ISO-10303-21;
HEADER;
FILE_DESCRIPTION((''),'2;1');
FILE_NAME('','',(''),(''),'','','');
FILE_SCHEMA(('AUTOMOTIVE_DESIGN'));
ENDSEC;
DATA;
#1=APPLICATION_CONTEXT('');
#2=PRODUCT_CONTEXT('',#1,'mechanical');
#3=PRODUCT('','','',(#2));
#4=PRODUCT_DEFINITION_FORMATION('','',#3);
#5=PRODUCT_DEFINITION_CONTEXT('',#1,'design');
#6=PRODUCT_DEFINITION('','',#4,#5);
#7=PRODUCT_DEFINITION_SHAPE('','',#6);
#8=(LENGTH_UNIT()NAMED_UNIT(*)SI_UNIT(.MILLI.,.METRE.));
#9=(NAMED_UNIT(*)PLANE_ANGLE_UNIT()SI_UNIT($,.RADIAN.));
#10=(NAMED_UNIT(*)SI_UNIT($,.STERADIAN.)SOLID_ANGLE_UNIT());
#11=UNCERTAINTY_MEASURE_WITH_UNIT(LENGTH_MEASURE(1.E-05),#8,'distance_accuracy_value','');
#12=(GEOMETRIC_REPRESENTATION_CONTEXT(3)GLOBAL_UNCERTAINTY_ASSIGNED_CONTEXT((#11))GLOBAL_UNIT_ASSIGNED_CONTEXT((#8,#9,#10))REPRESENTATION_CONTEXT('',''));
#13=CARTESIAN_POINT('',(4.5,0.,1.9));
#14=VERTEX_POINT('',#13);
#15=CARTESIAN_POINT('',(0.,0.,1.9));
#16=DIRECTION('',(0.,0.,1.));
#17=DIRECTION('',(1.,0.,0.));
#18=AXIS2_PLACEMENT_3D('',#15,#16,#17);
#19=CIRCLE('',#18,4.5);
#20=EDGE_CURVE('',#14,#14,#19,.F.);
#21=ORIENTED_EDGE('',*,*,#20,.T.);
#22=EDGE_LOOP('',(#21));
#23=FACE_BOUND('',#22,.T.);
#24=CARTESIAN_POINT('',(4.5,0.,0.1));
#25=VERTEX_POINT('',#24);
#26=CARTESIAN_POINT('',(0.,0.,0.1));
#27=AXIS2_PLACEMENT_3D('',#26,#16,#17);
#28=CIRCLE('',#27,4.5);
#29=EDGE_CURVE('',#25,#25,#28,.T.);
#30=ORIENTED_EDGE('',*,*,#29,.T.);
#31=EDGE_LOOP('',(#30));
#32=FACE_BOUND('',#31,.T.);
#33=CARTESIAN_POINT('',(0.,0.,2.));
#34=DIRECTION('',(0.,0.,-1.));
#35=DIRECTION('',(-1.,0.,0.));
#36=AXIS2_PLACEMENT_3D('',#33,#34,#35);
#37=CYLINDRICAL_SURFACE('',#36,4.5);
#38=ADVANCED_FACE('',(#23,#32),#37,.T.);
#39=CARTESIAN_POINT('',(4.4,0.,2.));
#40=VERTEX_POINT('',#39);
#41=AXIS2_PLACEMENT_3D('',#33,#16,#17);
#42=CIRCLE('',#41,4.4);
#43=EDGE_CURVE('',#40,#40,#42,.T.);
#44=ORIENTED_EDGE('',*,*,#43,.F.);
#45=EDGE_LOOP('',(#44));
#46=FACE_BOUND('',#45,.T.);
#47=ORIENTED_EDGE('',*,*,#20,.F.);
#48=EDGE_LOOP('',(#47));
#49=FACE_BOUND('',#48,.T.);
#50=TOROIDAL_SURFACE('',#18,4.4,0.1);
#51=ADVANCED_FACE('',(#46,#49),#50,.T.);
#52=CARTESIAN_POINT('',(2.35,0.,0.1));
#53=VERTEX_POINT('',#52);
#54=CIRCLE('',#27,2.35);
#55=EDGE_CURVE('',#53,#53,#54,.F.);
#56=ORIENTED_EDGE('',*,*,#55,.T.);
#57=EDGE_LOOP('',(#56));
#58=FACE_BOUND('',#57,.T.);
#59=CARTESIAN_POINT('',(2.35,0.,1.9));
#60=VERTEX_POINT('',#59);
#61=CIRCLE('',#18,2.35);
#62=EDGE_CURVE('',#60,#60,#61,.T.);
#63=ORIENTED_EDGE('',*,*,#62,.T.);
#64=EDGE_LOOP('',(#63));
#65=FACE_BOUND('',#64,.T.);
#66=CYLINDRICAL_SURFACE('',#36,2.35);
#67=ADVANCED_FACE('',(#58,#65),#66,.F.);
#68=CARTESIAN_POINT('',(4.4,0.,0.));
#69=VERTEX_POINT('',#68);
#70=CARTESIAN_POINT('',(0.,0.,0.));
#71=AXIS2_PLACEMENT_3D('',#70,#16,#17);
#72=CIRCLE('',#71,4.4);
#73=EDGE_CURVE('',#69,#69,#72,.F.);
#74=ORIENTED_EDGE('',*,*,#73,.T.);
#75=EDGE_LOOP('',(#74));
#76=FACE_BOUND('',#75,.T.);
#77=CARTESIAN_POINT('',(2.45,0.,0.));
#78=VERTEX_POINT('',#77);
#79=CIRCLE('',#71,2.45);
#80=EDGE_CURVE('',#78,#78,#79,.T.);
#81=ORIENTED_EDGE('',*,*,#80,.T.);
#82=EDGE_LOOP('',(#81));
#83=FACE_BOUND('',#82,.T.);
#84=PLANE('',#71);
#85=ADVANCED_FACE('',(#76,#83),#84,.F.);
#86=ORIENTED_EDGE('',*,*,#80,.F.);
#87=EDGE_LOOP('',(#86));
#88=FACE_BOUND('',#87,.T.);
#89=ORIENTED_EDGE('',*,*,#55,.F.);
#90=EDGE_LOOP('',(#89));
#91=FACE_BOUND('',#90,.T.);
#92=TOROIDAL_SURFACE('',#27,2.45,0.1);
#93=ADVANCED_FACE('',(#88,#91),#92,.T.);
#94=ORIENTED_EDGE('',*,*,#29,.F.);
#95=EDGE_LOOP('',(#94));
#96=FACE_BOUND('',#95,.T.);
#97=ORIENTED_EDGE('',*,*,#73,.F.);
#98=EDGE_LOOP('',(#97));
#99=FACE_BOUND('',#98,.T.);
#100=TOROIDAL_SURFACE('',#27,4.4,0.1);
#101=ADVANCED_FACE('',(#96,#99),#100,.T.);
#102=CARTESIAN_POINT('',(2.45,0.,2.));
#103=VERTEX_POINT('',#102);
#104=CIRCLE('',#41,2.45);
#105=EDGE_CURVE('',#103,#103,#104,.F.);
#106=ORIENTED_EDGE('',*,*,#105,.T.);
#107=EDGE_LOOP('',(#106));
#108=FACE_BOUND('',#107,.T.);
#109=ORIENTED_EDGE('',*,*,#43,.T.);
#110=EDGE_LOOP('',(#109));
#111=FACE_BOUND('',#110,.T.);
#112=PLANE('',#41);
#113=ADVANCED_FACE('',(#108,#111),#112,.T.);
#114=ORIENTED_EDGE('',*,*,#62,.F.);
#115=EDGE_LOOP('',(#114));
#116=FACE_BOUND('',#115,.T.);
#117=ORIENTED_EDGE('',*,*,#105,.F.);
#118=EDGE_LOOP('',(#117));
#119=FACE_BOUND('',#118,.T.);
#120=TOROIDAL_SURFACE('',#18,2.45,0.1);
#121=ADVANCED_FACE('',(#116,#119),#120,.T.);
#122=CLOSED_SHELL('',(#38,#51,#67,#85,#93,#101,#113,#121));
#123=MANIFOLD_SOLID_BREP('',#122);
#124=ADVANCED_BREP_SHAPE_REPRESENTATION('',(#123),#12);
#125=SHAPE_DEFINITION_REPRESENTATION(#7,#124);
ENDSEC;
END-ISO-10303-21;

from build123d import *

# Parameters (mm, degrees)
SKETCH_1_R      = 4.5
SKETCH_1_R_2    = 2.35
EXTRUDE_1_DEPTH = 2
FILLET_1_R      = 0.1


with BuildPart() as part:
    # 草图1 → 凸台-拉伸1 (new body)
    with BuildSketch(Plane.XY):
        Circle(SKETCH_1_R)
        Circle(SKETCH_1_R_2, mode=Mode.SUBTRACT)
    extrude(amount=EXTRUDE_1_DEPTH)

    # 圆角1
    fillet_1_edges = [part.edges().sort_by_distance(p)[0] for p in [
        (-4.5, 0, 0),
        (-4.5, 0, 2),
        (-2.35, 0, 0),
        (-2.35, 0, 2),
    ]]
    fillet(fillet_1_edges, radius=FILLET_1_R)


solid = part.part
